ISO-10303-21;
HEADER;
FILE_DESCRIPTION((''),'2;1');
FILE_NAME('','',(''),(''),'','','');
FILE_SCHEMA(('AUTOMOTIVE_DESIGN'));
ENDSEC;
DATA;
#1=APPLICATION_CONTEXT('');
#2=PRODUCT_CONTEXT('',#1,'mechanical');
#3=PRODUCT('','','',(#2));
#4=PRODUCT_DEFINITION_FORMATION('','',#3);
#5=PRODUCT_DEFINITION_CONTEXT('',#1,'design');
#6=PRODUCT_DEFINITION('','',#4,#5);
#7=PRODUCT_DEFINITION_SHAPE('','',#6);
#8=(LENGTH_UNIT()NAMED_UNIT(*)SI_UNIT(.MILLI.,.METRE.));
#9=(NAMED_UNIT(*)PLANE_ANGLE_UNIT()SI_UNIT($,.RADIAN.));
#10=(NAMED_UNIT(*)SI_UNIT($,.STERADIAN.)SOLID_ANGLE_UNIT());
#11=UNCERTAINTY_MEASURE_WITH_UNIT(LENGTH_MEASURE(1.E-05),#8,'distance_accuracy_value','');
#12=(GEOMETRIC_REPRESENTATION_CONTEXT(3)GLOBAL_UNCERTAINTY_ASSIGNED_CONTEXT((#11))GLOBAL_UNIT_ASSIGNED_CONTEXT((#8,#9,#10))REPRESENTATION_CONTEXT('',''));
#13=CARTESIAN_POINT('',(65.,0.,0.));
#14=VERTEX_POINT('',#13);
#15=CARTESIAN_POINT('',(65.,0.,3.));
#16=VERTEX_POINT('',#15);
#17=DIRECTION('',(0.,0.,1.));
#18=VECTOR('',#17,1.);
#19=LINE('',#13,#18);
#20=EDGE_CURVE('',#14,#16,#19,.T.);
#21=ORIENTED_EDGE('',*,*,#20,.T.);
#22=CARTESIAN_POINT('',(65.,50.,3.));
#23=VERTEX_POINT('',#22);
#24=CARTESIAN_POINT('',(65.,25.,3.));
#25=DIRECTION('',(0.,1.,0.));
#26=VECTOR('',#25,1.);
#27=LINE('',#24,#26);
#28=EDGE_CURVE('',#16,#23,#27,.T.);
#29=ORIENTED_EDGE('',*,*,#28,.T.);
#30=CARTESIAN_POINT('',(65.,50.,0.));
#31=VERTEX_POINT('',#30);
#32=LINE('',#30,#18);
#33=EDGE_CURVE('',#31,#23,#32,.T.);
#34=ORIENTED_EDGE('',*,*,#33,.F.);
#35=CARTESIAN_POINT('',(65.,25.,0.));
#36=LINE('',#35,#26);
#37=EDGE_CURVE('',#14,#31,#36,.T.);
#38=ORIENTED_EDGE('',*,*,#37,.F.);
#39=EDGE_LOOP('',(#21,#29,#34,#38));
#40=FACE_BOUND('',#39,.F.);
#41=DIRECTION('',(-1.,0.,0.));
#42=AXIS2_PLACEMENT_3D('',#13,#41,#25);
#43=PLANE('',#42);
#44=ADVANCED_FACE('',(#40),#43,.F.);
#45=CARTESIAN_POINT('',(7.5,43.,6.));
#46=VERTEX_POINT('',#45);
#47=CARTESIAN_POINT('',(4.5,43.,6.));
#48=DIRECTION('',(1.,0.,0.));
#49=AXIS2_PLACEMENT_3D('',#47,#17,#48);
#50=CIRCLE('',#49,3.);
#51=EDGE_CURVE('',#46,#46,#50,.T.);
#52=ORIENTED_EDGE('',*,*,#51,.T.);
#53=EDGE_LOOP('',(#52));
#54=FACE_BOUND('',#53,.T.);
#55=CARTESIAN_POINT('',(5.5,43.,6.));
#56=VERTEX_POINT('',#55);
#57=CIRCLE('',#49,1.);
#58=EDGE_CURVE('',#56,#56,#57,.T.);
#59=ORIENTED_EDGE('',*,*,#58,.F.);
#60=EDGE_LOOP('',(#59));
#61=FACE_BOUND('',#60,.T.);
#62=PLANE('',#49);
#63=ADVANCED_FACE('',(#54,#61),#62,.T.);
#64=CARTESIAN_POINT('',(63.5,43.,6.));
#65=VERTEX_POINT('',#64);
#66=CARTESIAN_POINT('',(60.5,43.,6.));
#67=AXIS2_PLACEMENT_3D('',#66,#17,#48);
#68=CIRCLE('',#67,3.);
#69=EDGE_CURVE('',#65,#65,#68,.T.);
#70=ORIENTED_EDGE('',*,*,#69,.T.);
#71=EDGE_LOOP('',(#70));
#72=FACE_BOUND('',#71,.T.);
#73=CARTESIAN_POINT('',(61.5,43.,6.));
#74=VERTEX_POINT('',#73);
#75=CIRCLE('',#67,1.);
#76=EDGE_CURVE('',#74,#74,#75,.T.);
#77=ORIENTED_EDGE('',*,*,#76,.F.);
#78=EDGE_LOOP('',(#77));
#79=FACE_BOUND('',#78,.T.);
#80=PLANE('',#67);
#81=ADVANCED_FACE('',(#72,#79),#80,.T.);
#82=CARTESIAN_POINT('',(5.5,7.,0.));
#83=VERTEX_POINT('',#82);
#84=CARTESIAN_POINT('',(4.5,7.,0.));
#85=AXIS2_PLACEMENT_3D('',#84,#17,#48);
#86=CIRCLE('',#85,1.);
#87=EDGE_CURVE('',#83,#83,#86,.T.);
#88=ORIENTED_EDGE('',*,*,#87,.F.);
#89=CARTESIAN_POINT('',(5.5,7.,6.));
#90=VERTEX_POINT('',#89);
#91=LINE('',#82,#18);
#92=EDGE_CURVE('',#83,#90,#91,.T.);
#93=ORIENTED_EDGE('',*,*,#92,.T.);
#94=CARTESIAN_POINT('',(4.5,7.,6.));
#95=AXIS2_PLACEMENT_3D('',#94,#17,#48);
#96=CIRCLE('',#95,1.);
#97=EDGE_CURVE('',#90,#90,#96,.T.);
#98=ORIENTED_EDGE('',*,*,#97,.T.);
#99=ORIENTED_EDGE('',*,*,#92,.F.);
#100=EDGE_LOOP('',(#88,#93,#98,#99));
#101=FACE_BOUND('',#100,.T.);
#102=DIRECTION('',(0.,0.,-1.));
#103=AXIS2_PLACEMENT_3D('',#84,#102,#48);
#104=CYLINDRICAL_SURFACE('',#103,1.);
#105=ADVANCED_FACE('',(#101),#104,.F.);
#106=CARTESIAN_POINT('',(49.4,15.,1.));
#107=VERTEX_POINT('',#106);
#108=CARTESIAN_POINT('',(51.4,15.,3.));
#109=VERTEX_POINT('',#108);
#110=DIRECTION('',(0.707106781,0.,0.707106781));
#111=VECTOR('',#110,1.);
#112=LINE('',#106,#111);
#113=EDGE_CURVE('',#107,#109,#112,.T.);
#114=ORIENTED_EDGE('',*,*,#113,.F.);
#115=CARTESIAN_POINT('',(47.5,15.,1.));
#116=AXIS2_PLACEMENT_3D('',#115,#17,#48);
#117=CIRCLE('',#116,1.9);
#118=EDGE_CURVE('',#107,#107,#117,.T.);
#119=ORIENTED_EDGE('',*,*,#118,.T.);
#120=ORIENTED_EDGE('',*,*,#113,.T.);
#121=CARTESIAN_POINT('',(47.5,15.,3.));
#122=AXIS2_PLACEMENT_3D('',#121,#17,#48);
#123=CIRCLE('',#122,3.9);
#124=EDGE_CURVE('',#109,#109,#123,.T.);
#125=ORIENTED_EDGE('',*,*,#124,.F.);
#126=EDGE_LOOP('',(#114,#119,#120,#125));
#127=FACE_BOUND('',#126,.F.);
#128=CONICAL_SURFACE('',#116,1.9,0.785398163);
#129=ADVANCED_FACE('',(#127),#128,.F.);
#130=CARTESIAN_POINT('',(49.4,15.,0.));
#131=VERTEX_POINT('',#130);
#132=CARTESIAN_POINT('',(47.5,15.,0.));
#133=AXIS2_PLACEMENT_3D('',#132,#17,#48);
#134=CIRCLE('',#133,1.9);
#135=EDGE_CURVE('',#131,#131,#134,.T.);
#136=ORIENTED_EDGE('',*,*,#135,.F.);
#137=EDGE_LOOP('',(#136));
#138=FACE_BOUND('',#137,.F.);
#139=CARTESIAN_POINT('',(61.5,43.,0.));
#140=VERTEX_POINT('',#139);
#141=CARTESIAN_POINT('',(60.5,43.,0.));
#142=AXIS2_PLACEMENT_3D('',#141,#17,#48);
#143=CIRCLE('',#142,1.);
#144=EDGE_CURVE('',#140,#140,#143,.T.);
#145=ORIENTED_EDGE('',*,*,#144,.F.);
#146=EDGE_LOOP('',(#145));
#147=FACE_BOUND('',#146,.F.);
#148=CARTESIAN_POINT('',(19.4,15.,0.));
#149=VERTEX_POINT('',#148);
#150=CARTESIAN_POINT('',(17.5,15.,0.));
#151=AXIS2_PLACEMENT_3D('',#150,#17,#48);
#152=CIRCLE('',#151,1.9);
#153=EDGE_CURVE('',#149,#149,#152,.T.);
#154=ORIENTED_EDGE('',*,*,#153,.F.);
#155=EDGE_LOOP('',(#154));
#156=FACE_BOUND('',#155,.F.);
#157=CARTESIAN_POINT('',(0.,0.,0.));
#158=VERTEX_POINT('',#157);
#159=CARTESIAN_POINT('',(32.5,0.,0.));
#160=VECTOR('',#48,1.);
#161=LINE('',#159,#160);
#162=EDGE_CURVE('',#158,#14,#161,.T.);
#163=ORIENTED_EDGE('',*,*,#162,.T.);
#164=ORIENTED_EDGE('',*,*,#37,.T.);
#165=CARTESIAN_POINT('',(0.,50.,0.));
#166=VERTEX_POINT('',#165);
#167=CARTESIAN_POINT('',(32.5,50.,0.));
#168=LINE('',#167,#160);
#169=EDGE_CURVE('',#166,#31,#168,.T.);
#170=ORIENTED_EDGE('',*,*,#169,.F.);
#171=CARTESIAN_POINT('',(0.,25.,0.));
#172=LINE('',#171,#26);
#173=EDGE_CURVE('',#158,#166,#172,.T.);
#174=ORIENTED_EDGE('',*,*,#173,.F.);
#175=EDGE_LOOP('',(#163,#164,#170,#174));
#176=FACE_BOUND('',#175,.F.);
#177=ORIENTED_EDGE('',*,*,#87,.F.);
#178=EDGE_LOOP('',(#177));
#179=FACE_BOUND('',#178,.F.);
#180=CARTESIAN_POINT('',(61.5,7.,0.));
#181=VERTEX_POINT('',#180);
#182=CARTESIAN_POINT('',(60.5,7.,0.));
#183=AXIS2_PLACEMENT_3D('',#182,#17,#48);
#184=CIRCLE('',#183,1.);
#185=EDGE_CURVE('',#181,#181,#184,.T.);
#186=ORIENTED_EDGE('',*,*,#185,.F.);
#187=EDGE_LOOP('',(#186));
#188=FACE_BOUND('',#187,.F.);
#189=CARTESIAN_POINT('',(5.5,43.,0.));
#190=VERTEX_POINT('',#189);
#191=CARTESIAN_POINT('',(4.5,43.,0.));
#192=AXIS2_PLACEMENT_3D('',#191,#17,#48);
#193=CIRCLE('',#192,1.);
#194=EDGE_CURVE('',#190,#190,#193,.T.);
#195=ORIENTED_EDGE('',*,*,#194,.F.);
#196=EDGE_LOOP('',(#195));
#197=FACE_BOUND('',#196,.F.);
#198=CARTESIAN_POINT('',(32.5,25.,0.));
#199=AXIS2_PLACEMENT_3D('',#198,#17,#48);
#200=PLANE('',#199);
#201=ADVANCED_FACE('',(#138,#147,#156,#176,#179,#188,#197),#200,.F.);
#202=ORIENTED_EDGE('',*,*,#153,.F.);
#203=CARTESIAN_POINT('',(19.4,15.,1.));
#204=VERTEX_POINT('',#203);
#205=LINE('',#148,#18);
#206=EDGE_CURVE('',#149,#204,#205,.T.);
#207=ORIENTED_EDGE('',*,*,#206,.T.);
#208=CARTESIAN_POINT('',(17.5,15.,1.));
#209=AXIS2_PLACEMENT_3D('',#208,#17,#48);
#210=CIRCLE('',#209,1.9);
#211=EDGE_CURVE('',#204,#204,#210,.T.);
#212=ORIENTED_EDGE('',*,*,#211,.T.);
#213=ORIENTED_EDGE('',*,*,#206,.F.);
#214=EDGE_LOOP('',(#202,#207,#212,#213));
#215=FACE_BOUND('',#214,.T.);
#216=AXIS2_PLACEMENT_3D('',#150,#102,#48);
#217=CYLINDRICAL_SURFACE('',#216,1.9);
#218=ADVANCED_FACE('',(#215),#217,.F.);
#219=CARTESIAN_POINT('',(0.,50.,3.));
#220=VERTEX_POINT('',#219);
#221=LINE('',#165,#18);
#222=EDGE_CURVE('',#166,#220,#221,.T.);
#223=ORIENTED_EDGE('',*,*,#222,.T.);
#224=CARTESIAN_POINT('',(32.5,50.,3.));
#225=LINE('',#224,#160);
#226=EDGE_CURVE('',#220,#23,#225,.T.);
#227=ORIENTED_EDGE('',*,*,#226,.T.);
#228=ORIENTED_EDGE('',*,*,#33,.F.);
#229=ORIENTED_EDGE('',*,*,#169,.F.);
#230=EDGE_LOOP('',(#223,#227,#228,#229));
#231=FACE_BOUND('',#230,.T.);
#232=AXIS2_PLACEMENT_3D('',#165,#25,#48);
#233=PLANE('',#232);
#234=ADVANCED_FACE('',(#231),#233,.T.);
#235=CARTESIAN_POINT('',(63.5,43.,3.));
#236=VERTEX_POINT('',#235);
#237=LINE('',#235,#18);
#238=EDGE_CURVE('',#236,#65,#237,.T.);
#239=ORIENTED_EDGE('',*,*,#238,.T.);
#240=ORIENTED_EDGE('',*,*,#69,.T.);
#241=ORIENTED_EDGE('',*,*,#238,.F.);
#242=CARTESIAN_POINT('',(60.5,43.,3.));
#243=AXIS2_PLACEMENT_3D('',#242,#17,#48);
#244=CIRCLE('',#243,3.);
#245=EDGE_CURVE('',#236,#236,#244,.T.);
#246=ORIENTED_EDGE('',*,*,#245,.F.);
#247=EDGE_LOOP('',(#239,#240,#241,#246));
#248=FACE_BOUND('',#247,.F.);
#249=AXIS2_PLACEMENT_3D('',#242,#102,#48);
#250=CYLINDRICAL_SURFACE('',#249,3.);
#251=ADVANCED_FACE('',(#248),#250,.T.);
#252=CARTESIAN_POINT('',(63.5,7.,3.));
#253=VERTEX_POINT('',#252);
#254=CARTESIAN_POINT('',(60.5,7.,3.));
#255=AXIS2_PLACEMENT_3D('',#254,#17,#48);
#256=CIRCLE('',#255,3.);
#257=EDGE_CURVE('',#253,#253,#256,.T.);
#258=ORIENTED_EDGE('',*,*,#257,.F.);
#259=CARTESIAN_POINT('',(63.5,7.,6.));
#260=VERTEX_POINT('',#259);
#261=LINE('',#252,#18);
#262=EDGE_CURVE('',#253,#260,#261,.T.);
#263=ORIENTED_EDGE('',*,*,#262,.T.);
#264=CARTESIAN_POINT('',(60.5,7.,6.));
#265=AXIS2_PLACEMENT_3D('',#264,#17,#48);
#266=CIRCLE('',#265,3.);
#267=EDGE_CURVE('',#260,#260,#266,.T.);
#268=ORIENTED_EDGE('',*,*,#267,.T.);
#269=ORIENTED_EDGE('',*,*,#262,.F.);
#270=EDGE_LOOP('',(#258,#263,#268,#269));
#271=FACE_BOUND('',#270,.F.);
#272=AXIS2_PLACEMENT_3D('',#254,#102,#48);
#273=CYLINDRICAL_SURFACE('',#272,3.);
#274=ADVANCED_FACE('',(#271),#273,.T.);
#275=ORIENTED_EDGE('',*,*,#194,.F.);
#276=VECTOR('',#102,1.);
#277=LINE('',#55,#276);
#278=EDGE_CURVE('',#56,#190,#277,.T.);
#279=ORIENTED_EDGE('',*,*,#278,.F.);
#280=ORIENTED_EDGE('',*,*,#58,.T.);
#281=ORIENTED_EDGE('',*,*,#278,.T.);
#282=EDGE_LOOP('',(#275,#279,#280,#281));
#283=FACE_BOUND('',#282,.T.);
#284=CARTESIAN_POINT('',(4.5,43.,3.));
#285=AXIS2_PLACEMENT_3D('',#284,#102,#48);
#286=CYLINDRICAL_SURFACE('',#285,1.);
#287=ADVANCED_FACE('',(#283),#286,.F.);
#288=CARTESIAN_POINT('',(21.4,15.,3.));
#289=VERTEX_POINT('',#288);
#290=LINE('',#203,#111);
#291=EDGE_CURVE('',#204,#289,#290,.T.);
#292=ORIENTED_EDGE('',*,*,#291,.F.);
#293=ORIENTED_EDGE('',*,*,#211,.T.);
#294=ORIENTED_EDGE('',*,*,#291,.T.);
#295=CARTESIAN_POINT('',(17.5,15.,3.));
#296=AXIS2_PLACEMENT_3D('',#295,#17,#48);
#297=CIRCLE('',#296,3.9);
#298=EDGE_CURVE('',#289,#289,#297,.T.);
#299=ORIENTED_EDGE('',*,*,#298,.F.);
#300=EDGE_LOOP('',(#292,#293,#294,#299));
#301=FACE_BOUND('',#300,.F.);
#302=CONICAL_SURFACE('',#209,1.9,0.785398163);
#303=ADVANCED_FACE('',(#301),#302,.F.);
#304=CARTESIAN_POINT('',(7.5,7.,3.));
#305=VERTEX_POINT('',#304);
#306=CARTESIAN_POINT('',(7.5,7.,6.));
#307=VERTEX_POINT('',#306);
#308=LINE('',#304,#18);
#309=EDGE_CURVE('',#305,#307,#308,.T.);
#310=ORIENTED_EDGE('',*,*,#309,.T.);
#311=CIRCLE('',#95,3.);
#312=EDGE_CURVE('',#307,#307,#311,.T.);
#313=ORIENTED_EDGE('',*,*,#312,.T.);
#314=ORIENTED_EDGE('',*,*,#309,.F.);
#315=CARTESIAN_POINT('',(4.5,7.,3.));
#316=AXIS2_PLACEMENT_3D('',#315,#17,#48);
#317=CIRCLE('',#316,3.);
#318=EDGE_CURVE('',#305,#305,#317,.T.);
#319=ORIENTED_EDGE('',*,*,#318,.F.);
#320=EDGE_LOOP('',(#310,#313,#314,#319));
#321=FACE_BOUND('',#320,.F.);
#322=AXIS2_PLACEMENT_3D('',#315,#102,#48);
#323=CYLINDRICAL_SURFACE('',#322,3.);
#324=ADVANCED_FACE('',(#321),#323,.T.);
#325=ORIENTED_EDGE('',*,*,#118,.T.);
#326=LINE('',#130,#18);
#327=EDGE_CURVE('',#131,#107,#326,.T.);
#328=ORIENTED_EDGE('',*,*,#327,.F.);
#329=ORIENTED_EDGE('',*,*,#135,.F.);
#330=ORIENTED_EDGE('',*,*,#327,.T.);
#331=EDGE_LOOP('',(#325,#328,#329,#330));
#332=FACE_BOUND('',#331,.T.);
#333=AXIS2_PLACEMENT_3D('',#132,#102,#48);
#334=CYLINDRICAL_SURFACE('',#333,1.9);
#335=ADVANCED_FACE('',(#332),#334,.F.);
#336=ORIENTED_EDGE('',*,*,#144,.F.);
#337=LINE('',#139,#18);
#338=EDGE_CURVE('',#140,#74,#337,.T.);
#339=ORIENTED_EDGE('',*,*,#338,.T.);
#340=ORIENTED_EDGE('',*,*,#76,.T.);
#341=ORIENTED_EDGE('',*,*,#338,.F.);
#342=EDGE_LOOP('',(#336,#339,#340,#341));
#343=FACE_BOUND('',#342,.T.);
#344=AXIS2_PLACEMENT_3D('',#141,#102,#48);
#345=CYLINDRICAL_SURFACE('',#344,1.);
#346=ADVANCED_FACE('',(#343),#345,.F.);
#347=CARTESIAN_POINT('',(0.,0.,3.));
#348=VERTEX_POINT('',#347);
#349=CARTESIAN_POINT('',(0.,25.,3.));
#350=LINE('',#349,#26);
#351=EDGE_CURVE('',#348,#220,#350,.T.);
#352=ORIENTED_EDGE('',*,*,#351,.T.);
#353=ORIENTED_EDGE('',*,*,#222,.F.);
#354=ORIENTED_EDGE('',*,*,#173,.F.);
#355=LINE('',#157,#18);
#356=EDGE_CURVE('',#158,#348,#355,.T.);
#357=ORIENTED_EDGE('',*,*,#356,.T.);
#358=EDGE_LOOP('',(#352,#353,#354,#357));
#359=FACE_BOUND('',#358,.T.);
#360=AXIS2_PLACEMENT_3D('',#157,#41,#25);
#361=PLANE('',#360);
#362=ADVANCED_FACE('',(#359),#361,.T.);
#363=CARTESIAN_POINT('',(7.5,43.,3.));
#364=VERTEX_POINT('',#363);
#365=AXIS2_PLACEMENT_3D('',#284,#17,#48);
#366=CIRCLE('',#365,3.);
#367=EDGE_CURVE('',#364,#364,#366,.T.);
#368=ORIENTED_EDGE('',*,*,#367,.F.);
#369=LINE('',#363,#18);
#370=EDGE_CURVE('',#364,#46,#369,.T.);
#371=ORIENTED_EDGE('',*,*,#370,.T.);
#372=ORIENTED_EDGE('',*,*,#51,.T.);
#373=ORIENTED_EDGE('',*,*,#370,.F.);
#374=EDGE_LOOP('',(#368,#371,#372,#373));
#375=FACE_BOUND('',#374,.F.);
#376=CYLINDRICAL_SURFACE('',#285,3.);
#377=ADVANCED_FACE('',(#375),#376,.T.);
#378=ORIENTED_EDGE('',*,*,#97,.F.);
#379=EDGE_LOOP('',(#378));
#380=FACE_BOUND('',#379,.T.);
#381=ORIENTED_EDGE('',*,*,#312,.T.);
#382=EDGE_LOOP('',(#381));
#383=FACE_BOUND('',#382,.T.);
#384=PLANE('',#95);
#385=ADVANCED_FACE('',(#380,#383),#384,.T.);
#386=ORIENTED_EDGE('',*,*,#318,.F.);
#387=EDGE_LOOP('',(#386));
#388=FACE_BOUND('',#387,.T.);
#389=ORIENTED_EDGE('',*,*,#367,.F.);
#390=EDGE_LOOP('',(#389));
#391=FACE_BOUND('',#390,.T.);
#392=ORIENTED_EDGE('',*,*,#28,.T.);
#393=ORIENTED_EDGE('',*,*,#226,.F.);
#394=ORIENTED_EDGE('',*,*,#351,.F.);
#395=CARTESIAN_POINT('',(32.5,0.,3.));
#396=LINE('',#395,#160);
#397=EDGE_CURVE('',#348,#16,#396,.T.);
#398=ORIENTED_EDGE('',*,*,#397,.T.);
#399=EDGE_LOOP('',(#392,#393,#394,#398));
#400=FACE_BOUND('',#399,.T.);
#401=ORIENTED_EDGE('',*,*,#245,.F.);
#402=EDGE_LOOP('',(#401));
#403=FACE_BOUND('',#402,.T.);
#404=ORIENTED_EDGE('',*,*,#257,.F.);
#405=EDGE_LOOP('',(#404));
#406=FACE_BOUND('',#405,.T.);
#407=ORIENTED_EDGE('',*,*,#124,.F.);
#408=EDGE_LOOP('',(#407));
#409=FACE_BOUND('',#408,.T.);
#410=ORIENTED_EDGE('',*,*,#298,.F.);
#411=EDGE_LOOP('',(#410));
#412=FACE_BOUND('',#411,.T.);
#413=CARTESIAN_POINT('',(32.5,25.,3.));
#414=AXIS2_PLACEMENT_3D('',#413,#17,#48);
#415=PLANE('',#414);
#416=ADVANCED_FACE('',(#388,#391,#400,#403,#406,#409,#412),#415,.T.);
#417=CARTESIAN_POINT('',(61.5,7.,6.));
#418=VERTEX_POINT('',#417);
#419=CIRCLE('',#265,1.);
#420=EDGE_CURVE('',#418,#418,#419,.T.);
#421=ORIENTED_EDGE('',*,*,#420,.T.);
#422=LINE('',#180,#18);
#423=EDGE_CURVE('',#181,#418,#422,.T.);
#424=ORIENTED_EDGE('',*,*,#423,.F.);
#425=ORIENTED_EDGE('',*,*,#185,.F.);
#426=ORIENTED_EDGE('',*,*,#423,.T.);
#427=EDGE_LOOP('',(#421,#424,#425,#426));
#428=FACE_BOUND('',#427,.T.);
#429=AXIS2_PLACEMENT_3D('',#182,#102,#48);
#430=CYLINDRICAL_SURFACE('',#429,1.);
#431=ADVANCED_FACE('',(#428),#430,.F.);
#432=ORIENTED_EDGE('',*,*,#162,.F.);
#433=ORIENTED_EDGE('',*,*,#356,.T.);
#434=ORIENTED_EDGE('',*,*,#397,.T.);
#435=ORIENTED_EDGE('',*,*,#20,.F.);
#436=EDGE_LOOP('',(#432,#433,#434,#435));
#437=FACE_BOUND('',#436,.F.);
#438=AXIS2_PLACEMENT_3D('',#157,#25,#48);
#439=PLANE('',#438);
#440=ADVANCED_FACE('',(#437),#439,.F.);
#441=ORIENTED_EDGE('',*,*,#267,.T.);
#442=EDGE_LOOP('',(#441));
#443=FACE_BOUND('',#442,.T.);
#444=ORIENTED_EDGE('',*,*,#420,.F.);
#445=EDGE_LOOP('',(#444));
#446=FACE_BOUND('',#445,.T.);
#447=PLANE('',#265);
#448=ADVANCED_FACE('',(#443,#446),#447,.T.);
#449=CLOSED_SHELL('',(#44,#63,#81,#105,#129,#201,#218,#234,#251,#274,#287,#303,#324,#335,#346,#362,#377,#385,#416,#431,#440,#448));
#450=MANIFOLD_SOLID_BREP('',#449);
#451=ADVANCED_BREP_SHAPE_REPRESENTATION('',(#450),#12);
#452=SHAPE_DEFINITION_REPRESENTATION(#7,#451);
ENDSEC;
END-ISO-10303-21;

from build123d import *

# Parameters (mm, degrees)
F0_W     = 65
F0_H     = 50
F0_R     = 1
F0_R_2   = 1.9
F1_DEPTH = 3
F2_SIZE  = 2
F3_R     = 3
F3_R_2   = 1
F4_DEPTH = 3


with BuildPart() as f1:
    # F0 (on Top) → F1 (new body)
    with BuildSketch(Plane.XY):
        with Locations((32.5, 25)):
            Rectangle(F0_W, F0_H)
        with Locations((4.5, 7)):
            Circle(F0_R, mode=Mode.SUBTRACT)
        with Locations((17.5, 15)):
            Circle(F0_R_2, mode=Mode.SUBTRACT)
        with Locations((60.5, 7)):
            Circle(F0_R, mode=Mode.SUBTRACT)
        with Locations((47.5, 15)):
            Circle(F0_R_2, mode=Mode.SUBTRACT)
        with Locations((4.5, 43)):
            Circle(F0_R, mode=Mode.SUBTRACT)
        with Locations((60.5, 43)):
            Circle(F0_R, mode=Mode.SUBTRACT)
    extrude(amount=F1_DEPTH)

    # F2
    f2_edges = [f1.edges().sort_by_distance(p)[0] for p in [
        (15.6, 15, 3),
        (45.6, 15, 3),
    ]]
    chamfer(f2_edges, length=F2_SIZE)

    # F3 (on face) → F4 (join)
    with BuildSketch(Plane.XY.offset(3)):
        with Locations((4.5, 43)):
            Circle(F3_R)
        with Locations((4.5, 43)):
            Circle(F3_R_2, mode=Mode.SUBTRACT)
        with Locations((60.5, 43)):
            Circle(F3_R)
        with Locations((60.5, 43)):
            Circle(F3_R_2, mode=Mode.SUBTRACT)
        with Locations((60.5, 7)):
            Circle(F3_R)
        with Locations((60.5, 7)):
            Circle(F3_R_2, mode=Mode.SUBTRACT)
        with Locations((4.5, 7)):
            Circle(F3_R)
        with Locations((4.5, 7)):
            Circle(F3_R_2, mode=Mode.SUBTRACT)
    extrude(amount=F4_DEPTH)


solid = f1.part
